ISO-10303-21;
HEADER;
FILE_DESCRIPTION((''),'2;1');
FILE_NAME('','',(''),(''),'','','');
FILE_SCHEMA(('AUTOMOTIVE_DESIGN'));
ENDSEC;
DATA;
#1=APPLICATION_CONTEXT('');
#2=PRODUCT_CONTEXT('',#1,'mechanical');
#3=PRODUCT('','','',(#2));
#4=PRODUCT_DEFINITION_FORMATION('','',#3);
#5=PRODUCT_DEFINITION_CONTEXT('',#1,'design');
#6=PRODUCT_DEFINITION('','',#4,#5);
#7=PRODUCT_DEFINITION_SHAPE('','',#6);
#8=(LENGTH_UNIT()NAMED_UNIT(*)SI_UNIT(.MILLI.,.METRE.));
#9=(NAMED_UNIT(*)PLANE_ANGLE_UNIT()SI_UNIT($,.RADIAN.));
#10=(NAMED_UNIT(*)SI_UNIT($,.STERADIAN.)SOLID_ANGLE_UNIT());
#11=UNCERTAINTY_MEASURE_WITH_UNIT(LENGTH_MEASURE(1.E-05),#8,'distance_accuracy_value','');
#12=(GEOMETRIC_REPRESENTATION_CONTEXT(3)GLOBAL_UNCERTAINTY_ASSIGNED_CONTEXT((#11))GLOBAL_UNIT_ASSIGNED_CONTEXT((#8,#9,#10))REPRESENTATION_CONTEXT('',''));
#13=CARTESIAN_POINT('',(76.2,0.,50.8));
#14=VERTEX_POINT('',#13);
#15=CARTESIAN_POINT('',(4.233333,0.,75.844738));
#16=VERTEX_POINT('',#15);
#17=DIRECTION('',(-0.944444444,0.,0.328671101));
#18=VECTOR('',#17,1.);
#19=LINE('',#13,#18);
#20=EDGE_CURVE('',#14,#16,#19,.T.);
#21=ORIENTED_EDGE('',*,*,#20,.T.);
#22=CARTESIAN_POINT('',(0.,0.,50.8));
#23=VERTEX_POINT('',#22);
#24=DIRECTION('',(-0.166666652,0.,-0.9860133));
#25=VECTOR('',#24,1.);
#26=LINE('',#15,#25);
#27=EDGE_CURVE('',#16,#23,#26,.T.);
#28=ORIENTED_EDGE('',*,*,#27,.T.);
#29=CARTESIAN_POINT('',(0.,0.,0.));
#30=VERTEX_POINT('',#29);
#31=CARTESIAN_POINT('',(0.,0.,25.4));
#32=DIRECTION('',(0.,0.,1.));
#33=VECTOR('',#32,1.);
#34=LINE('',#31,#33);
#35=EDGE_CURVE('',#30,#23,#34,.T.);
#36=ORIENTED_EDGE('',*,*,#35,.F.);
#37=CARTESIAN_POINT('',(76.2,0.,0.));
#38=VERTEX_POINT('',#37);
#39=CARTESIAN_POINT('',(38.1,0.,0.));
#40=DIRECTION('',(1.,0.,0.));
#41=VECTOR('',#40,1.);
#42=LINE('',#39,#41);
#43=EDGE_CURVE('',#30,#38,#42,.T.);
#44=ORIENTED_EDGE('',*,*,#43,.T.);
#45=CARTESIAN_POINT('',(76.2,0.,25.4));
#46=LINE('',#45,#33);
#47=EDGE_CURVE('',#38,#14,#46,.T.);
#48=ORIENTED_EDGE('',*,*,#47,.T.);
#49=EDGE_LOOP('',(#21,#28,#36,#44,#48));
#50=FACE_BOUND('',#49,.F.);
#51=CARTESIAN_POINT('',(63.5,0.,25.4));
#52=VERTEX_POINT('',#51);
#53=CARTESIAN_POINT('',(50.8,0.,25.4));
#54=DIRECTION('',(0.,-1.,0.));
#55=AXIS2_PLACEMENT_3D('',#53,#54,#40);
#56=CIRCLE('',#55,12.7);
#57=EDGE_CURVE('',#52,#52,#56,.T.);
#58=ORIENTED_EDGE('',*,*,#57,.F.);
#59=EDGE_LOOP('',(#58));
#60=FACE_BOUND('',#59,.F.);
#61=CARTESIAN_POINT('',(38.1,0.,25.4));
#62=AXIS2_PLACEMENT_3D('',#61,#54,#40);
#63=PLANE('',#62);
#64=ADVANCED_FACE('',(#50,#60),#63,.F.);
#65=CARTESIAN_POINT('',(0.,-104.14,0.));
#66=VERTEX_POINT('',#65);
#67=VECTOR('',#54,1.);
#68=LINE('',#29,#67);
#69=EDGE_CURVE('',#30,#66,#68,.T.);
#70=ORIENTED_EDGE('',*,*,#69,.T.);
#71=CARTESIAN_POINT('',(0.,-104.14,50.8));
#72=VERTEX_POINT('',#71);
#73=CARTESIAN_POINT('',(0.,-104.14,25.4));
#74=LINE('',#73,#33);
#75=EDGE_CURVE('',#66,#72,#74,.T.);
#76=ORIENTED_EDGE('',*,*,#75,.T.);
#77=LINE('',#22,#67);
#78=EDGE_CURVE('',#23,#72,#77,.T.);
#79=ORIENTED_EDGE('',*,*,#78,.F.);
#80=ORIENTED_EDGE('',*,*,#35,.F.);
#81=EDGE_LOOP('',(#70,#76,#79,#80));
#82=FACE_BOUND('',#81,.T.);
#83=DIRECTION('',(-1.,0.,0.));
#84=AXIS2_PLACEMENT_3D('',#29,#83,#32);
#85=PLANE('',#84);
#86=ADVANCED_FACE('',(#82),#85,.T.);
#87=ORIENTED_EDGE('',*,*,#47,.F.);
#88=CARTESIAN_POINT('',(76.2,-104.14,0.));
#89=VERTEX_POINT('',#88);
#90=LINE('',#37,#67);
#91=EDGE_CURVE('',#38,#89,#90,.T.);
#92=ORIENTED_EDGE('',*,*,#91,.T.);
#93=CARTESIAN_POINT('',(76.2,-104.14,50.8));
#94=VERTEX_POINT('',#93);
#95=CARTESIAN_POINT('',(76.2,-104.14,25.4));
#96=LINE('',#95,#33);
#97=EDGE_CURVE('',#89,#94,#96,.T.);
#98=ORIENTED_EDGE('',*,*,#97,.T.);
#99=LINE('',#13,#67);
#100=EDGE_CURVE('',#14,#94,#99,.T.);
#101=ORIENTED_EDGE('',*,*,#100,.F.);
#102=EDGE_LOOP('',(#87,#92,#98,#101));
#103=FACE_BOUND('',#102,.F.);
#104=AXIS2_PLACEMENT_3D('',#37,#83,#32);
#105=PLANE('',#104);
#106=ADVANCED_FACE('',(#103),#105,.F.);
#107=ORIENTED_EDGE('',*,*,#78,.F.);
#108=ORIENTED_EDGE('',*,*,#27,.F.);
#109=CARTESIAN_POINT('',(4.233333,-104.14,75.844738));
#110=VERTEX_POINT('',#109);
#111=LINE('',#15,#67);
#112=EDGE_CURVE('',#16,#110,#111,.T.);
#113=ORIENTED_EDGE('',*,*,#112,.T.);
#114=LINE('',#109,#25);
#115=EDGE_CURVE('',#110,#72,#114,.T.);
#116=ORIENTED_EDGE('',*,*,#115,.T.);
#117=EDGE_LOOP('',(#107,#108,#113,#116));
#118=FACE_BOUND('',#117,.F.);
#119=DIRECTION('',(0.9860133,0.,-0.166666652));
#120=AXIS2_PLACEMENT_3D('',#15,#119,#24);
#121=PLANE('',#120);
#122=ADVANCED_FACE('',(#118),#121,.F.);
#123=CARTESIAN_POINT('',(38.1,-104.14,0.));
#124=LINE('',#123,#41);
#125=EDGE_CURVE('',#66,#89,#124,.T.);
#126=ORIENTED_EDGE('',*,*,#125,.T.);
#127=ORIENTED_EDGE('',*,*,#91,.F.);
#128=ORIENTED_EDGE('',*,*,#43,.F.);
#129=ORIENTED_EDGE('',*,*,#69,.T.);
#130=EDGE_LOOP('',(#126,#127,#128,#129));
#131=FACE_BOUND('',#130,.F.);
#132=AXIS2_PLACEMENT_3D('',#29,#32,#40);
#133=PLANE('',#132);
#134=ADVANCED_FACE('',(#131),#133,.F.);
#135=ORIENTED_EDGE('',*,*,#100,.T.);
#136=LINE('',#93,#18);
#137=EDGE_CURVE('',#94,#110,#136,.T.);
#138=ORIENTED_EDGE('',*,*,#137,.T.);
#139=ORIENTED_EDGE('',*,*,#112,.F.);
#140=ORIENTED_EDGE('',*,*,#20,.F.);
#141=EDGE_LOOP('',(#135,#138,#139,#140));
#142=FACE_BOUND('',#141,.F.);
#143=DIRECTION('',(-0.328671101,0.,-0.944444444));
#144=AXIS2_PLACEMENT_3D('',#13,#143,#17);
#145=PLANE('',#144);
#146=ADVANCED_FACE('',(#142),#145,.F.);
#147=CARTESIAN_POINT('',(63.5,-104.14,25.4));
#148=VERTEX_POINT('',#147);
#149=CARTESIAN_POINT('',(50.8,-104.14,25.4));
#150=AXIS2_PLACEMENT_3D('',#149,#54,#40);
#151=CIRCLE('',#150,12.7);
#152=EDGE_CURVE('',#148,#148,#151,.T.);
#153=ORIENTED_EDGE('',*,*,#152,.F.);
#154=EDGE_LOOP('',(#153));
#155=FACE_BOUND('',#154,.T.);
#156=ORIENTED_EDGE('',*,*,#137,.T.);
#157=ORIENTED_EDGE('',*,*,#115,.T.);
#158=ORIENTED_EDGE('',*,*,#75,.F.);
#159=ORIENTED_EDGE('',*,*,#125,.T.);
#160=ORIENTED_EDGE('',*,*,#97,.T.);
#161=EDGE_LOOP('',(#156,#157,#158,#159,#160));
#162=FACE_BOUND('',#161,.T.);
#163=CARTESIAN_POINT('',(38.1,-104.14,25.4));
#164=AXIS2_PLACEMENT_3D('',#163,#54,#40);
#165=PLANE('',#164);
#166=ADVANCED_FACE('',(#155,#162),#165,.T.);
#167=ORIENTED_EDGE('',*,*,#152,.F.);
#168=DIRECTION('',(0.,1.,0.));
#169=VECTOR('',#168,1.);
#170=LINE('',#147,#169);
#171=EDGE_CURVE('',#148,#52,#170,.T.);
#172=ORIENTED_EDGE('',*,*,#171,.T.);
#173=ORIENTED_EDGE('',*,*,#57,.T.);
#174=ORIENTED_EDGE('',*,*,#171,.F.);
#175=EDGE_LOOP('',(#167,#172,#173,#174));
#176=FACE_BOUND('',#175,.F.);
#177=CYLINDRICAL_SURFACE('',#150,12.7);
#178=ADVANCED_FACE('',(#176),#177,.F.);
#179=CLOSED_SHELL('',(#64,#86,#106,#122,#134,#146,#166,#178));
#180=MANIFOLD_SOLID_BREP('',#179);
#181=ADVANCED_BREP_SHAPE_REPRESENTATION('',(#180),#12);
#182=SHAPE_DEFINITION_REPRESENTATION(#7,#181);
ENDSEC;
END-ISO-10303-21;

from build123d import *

# Parameters (mm, degrees)
F0_W     = 76.2
F0_H     = 50.8
F1_DEPTH = 104.14
F2_R     = 12.7
F3_DEPTH = 104.14


with BuildPart() as f1:
    # F0 (on Front) → F1 (new body)
    with BuildSketch(Plane.XZ):
        with Locations((38.1, 25.4)):
            Rectangle(F0_W, F0_H)
        Polygon((4.233333, 75.844738), (0, 50.8), (76.2, 50.8), align=None)
    extrude(amount=F1_DEPTH)

    # F2 (on face) → F3 (cut)
    with BuildSketch(Plane.XZ.offset(104.14)):
        with Locations((50.8, 25.4)):
            Circle(F2_R)
    extrude(amount=-F3_DEPTH, mode=Mode.SUBTRACT)


solid = f1.part
